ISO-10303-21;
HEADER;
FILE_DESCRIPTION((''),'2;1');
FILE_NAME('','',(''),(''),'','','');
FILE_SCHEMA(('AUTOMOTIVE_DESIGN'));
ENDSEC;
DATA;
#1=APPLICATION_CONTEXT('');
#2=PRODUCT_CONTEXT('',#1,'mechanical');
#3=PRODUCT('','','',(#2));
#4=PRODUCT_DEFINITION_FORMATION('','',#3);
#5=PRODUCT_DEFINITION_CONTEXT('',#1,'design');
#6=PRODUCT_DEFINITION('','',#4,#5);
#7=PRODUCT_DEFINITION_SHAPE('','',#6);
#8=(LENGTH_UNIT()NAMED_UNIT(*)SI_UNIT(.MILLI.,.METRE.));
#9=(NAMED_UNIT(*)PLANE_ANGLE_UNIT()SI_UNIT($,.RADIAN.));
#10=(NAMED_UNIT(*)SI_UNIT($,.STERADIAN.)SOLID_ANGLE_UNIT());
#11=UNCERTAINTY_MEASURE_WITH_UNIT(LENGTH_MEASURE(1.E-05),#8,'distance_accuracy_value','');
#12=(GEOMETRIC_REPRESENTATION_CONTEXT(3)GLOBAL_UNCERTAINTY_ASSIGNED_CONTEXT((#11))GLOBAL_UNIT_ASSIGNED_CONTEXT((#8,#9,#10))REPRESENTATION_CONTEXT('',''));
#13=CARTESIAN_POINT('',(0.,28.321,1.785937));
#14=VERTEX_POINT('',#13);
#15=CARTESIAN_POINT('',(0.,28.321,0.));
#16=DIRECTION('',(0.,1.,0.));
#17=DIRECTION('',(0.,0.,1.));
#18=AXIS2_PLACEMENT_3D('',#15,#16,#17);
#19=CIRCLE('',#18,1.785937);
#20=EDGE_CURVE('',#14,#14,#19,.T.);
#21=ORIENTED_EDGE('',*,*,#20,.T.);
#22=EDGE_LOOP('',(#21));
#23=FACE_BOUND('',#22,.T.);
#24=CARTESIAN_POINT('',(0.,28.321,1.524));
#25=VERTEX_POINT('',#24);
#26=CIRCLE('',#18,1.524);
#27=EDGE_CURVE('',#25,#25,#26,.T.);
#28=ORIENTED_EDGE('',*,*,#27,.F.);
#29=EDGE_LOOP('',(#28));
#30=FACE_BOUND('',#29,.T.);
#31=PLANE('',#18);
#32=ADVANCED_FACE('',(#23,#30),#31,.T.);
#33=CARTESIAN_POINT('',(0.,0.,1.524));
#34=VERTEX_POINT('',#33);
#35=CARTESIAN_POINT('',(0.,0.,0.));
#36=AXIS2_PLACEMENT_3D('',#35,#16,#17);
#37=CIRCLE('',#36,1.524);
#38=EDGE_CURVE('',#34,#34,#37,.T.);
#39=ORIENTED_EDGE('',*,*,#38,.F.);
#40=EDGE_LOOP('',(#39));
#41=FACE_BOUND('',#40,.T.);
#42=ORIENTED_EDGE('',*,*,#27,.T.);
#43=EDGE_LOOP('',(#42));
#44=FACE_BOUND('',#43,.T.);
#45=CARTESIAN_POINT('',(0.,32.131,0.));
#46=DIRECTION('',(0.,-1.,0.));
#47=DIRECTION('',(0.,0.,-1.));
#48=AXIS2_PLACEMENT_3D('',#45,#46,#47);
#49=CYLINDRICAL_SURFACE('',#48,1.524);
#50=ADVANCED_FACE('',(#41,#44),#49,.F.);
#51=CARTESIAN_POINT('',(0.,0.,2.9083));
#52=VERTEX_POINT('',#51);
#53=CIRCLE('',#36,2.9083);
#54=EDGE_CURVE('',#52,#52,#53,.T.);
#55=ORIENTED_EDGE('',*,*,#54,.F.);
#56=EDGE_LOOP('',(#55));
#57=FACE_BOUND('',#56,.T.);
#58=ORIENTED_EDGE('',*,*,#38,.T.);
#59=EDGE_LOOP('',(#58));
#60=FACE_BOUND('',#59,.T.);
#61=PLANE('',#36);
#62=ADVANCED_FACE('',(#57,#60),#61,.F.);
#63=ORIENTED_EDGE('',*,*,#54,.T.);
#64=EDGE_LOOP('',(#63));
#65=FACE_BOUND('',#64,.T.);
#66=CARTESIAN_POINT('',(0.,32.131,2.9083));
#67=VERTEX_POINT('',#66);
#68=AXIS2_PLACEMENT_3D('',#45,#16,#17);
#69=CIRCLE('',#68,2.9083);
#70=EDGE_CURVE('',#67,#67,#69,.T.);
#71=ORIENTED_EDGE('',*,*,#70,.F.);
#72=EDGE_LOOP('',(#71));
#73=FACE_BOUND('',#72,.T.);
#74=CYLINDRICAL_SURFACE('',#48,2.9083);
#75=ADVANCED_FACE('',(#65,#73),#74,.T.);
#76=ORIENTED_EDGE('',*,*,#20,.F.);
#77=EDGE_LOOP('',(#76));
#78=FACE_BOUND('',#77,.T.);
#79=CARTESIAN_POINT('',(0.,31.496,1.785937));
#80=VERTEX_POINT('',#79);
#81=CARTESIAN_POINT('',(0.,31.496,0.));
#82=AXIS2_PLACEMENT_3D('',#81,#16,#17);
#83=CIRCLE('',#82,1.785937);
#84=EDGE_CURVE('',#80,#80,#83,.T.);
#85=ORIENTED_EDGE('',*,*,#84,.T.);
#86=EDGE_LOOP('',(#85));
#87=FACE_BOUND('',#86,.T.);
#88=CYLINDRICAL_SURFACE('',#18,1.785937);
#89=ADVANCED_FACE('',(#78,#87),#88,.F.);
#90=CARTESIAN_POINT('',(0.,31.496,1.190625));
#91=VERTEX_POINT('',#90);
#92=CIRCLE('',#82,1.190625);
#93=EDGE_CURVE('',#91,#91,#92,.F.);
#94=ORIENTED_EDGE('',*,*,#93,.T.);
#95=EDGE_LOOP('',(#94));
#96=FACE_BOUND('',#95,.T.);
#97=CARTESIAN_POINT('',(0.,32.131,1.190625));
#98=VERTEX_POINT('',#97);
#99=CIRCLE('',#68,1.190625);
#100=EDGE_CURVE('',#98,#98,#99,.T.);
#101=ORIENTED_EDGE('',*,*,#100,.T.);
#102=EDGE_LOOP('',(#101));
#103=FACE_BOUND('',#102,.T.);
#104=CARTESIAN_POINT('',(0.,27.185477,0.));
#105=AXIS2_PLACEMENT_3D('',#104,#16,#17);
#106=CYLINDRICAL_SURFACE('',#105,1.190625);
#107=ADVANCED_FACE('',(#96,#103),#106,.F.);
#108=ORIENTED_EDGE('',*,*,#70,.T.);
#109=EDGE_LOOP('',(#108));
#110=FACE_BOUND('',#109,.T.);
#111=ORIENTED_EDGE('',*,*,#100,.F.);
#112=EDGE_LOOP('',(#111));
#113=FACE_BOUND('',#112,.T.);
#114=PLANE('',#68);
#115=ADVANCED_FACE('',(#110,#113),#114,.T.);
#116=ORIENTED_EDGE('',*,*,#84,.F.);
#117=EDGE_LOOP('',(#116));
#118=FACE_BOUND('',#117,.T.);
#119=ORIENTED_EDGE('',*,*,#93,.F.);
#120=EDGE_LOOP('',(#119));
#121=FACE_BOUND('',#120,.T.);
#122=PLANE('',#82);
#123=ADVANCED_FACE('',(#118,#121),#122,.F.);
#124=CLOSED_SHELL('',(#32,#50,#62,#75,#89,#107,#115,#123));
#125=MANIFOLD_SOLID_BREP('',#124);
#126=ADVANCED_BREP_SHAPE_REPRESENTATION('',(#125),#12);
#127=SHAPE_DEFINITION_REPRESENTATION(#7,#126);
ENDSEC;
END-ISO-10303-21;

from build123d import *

# Parameters (mm, degrees)
SKETCH1_R           = 2.9083
SKETCH1_R_2         = 1.524
BOSS_EXTRUDE1_DEPTH = 32.131
BOSS_EXTRUDE5_START = -0.635
SKETCH7_R           = 1.524
SKETCH7_R_2         = 1.190625
BOSS_EXTRUDE5_DEPTH = 0.635
SKETCH8_R           = 1.7859375
CUT_EXTRUDE2_DEPTH  = 3.175


with BuildPart() as part:
    # Sketch1 → Boss-Extrude1 (new body)
    with BuildSketch(Plane(origin=(0, 0, 0), x_dir=(1, 0, 0), z_dir=(0, 1, 0))):
        with Locations(Location((0, 0, 0), (0, 0, 270))):
            Circle(SKETCH1_R)
        with Locations(Location((0, 0, 0), (0, 0, 270))):
            Circle(SKETCH1_R_2, mode=Mode.SUBTRACT)
    extrude(amount=BOSS_EXTRUDE1_DEPTH)

    # Sketch7 → Boss-Extrude5 (add)
    with BuildSketch(Plane(origin=(0, 32.131, 0), x_dir=(1, 0, 0), z_dir=(0, 1, 0)).offset(BOSS_EXTRUDE5_START)):
        with Locations(Location((0, 0, 0), (0, 0, 270))):
            Circle(SKETCH7_R)
        with Locations(Location((0, 0, 0), (0, 0, 270))):
            Circle(SKETCH7_R_2, mode=Mode.SUBTRACT)
    extrude(amount=BOSS_EXTRUDE5_DEPTH)

    # Sketch8 → Cut-Extrude2 (cut)
    with BuildSketch(Plane(origin=(0, 31.496, 0), x_dir=(1, 0, 0), z_dir=(0, 1, 0))):
        with Locations(Location((0, 0, 0), (0, 0, 270))):
            Circle(SKETCH8_R)
    extrude(amount=-CUT_EXTRUDE2_DEPTH, mode=Mode.SUBTRACT)


solid = part.part
